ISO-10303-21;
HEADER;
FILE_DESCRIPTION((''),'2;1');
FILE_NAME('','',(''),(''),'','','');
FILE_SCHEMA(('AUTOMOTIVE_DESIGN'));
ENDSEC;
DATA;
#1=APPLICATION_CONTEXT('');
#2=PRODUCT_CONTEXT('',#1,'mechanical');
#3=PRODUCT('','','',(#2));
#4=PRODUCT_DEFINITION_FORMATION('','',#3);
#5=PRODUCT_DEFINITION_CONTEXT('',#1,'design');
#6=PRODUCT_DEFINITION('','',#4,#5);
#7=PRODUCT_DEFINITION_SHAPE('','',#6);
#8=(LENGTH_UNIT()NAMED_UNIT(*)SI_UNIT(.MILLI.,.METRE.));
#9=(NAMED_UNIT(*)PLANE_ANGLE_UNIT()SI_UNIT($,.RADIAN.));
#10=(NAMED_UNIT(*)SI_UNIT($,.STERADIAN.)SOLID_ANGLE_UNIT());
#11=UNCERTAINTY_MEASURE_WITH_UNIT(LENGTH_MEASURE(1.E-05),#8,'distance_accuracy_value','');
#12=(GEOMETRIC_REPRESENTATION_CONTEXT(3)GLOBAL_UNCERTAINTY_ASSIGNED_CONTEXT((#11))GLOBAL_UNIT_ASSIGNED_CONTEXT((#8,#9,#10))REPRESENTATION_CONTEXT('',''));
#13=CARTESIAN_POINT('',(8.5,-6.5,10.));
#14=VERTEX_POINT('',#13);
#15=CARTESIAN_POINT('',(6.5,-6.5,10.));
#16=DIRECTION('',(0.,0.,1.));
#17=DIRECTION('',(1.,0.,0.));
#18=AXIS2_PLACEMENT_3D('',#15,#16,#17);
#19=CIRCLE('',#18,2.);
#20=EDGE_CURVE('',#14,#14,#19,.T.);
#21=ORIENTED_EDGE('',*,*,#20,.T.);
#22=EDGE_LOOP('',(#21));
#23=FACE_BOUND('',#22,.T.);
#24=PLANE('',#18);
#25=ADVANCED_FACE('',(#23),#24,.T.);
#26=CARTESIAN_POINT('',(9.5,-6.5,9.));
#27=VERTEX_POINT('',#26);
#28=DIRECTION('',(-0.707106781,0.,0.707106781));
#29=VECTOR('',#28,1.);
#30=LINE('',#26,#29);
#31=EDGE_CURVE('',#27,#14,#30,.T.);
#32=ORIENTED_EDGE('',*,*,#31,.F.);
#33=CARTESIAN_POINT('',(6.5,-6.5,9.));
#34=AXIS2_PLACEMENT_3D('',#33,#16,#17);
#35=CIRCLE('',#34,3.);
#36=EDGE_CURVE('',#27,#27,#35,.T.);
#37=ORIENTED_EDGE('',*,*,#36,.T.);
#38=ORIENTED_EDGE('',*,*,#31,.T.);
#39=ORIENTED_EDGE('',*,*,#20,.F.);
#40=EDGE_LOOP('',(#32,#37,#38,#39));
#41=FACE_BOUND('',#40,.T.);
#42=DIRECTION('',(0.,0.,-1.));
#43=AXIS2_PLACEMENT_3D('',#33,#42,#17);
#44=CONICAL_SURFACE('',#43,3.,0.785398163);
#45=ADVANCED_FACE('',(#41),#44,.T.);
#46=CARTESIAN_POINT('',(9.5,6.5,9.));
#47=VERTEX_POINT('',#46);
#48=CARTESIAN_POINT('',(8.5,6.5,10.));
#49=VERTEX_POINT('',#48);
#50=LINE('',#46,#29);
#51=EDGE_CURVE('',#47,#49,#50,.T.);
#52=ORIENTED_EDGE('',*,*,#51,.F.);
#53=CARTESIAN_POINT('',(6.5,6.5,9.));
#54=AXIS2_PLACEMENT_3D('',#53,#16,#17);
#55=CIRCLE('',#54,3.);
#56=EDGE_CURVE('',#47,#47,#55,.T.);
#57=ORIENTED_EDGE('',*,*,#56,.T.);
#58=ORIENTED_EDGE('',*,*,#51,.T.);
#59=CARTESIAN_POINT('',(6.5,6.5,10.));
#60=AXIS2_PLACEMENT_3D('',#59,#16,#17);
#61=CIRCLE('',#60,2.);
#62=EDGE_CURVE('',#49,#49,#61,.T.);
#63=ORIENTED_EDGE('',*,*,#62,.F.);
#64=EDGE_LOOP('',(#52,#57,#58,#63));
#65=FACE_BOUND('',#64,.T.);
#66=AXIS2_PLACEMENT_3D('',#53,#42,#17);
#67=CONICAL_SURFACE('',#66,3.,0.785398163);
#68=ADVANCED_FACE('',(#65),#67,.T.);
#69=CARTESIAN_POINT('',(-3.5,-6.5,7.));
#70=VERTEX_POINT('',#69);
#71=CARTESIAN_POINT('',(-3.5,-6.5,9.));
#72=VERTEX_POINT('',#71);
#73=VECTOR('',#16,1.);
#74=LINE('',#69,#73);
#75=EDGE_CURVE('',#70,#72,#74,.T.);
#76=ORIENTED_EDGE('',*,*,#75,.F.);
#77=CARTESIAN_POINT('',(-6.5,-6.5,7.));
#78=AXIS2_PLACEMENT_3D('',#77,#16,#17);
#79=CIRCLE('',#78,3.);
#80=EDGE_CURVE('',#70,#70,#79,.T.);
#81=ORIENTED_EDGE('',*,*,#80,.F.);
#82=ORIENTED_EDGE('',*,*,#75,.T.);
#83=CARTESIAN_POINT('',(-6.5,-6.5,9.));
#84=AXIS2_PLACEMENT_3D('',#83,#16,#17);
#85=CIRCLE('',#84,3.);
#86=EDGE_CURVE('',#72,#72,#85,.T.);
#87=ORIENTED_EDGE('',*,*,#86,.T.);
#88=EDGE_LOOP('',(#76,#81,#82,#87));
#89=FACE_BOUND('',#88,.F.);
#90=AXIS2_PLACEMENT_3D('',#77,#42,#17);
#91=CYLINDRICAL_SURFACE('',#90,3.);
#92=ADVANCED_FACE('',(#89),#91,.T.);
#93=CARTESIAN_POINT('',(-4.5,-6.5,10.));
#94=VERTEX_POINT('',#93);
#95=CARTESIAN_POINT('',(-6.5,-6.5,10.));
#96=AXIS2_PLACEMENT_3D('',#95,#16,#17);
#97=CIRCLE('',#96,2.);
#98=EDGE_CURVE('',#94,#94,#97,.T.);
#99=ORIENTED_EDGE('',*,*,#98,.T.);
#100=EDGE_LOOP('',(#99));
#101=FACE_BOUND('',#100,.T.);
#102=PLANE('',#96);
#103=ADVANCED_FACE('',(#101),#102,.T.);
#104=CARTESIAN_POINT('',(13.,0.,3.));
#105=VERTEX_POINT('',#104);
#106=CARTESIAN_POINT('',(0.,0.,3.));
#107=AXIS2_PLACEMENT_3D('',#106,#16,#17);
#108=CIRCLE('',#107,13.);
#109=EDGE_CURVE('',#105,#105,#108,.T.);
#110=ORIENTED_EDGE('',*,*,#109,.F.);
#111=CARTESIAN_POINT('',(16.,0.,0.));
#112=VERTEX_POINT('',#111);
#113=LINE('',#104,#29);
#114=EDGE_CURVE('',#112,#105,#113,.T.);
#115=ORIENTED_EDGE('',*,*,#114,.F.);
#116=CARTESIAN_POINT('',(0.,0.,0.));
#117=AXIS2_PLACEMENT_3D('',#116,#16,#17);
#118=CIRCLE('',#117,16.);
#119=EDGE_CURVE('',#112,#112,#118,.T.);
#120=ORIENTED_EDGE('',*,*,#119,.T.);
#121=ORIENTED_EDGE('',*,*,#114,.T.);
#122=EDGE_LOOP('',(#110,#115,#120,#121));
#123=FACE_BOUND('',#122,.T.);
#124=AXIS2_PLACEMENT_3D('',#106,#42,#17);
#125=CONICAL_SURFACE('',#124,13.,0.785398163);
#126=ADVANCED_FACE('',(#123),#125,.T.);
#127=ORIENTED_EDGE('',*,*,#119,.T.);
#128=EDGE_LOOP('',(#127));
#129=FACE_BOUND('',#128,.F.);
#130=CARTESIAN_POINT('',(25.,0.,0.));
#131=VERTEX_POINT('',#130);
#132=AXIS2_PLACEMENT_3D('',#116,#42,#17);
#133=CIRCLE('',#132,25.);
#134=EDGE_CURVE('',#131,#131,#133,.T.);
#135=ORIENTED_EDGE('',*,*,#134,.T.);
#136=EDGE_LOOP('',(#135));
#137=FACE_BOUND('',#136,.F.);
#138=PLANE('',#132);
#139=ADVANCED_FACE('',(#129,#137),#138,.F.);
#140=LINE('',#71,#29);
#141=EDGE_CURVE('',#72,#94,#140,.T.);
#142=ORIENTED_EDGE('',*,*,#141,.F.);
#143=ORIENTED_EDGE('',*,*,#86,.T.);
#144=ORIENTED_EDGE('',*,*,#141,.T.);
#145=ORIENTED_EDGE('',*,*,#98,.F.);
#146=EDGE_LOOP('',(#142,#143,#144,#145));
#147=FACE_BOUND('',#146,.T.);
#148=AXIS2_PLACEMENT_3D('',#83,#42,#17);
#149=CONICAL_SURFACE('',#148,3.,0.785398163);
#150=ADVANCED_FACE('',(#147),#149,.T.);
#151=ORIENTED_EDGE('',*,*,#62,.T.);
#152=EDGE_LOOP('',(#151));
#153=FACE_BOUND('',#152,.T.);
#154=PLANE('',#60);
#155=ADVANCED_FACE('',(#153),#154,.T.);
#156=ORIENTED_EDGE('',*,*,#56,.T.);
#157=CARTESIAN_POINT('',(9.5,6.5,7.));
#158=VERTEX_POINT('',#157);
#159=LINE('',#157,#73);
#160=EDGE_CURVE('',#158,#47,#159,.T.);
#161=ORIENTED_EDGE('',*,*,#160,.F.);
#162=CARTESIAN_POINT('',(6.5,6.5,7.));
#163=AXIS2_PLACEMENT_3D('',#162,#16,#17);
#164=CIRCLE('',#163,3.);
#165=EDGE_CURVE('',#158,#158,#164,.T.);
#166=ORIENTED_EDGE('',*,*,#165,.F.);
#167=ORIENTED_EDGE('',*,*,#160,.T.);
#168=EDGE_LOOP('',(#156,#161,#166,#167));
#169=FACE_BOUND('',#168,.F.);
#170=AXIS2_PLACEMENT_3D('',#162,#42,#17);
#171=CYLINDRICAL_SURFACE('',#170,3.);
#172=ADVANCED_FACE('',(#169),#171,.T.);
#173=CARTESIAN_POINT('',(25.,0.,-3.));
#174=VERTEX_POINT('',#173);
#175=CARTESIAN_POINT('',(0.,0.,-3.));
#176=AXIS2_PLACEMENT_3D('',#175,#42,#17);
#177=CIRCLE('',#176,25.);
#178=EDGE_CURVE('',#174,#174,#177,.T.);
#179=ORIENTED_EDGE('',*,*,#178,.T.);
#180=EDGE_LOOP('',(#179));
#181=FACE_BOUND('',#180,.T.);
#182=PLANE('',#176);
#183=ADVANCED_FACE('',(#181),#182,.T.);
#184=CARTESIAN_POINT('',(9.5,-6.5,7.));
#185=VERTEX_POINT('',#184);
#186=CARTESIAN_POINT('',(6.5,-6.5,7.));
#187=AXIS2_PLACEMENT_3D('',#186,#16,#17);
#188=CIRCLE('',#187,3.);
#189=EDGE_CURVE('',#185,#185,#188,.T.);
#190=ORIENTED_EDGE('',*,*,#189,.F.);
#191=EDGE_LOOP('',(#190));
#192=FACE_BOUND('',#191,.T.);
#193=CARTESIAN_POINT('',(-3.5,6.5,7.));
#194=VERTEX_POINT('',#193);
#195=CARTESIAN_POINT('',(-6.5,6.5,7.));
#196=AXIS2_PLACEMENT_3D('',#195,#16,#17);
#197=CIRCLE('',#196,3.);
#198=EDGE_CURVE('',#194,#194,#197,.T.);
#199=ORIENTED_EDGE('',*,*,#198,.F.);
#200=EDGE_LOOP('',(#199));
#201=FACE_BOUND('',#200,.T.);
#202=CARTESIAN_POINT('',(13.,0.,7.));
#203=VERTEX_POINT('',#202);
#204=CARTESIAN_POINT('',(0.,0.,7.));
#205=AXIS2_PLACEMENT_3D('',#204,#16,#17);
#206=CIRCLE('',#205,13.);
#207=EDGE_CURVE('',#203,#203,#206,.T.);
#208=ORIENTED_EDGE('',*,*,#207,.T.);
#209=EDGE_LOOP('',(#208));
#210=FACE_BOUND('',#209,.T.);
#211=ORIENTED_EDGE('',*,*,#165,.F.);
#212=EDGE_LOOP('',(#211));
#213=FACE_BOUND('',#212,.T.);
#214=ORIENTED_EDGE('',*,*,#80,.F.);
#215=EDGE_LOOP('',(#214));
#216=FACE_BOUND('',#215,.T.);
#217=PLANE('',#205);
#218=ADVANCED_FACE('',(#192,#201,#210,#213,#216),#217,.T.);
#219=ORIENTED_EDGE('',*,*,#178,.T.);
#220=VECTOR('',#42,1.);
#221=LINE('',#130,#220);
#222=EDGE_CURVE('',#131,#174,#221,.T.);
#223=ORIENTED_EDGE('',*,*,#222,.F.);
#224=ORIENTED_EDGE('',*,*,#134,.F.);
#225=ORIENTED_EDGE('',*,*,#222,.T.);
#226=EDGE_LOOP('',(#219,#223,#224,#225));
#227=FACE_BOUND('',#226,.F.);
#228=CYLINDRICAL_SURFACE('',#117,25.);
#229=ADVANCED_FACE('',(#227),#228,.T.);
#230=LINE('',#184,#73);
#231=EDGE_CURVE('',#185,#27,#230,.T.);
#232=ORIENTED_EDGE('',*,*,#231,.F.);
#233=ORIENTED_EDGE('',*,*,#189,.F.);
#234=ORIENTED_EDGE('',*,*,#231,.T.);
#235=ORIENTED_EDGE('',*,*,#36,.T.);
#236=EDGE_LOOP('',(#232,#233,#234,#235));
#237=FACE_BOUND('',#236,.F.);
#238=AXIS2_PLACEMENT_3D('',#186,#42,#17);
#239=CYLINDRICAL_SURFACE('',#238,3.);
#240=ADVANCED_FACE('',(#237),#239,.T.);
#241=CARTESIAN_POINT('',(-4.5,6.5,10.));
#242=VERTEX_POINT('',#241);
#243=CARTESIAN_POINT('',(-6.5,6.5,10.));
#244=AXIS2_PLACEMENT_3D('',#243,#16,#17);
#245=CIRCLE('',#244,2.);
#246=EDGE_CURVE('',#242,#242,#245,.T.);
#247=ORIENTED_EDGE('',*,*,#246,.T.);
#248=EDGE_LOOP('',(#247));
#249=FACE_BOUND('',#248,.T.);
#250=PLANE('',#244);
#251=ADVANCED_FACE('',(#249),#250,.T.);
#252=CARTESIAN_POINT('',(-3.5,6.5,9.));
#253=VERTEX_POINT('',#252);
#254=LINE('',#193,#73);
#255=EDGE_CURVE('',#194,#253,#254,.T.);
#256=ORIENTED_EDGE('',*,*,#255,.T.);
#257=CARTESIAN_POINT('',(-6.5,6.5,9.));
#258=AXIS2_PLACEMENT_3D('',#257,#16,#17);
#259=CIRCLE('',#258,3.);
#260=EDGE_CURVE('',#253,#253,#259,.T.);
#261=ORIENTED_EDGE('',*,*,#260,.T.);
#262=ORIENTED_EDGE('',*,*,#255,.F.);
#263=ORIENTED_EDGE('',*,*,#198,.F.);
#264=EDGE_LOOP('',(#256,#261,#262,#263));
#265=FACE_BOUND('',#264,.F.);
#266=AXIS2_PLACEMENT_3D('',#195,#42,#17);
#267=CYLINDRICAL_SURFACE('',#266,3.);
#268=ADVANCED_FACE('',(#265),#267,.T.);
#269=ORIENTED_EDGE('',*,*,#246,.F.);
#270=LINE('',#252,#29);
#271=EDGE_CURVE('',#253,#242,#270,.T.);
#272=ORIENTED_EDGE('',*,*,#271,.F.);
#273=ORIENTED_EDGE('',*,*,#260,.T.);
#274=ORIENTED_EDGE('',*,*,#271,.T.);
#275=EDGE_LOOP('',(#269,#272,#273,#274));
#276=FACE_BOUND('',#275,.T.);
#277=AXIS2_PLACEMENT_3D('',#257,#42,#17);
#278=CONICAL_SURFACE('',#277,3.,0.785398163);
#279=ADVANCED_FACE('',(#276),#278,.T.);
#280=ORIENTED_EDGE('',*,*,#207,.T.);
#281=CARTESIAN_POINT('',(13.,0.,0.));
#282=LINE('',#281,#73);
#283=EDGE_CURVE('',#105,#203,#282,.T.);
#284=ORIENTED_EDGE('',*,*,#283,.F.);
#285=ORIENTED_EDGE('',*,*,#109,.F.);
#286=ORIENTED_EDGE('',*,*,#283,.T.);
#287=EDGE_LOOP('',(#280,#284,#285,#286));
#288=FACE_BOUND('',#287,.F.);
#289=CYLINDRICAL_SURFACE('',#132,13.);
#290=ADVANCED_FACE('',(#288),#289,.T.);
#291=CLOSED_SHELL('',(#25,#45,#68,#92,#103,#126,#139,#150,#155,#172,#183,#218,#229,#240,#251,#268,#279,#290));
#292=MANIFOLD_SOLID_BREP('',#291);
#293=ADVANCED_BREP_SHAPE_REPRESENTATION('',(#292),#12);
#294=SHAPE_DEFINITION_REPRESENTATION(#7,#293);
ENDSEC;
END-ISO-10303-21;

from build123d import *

# Parameters (mm, degrees)
SKETCH_R        = 13
PAD_DEPTH       = 7
SKETCH001_R     = 3
PAD001_DEPTH    = 3
CHAMFER_SIZE    = 1
SKETCH002_R     = 25
PAD002_DEPTH    = 3
CHAMFER001_SIZE = 3


with BuildPart() as part:
    # Sketch → Pad (new body)
    with BuildSketch(Plane.XY):
        Circle(SKETCH_R)
    extrude(amount=PAD_DEPTH)

    # Sketch001 (on Face3 of Pad) → Pad001 (join)
    with BuildSketch(Plane.XY.offset(7)):
        with Locations((-6.5, 6.5)):
            Circle(SKETCH001_R)
        with Locations((-6.5, -6.5)):
            Circle(SKETCH001_R)
        with Locations((6.5, -6.5)):
            Circle(SKETCH001_R)
        with Locations((6.5, 6.5)):
            Circle(SKETCH001_R)
    extrude(amount=PAD001_DEPTH)

    # Chamfer
    chamfer_edges = [part.edges().sort_by_distance(p)[0] for p in [
        (-9.5, -6.5, 10),
        (3.5, -6.5, 10),
        (-9.5, 6.5, 10),
        (3.5, 6.5, 10),
    ]]
    chamfer(chamfer_edges, length=CHAMFER_SIZE)

    # Sketch002 (on Face9 of Chamfer) → Pad002 (join)
    with BuildSketch(Plane(origin=(0, 0, 0), x_dir=(1, 0, 0), z_dir=(0, 0, -1))):
        Circle(SKETCH002_R)
    extrude(amount=PAD002_DEPTH)

    # Chamfer001
    chamfer001_edges = [part.edges().sort_by_distance(p)[0] for p in [
        (-13, 0, 0),
    ]]
    chamfer(chamfer001_edges, length=CHAMFER001_SIZE)


solid = part.part
